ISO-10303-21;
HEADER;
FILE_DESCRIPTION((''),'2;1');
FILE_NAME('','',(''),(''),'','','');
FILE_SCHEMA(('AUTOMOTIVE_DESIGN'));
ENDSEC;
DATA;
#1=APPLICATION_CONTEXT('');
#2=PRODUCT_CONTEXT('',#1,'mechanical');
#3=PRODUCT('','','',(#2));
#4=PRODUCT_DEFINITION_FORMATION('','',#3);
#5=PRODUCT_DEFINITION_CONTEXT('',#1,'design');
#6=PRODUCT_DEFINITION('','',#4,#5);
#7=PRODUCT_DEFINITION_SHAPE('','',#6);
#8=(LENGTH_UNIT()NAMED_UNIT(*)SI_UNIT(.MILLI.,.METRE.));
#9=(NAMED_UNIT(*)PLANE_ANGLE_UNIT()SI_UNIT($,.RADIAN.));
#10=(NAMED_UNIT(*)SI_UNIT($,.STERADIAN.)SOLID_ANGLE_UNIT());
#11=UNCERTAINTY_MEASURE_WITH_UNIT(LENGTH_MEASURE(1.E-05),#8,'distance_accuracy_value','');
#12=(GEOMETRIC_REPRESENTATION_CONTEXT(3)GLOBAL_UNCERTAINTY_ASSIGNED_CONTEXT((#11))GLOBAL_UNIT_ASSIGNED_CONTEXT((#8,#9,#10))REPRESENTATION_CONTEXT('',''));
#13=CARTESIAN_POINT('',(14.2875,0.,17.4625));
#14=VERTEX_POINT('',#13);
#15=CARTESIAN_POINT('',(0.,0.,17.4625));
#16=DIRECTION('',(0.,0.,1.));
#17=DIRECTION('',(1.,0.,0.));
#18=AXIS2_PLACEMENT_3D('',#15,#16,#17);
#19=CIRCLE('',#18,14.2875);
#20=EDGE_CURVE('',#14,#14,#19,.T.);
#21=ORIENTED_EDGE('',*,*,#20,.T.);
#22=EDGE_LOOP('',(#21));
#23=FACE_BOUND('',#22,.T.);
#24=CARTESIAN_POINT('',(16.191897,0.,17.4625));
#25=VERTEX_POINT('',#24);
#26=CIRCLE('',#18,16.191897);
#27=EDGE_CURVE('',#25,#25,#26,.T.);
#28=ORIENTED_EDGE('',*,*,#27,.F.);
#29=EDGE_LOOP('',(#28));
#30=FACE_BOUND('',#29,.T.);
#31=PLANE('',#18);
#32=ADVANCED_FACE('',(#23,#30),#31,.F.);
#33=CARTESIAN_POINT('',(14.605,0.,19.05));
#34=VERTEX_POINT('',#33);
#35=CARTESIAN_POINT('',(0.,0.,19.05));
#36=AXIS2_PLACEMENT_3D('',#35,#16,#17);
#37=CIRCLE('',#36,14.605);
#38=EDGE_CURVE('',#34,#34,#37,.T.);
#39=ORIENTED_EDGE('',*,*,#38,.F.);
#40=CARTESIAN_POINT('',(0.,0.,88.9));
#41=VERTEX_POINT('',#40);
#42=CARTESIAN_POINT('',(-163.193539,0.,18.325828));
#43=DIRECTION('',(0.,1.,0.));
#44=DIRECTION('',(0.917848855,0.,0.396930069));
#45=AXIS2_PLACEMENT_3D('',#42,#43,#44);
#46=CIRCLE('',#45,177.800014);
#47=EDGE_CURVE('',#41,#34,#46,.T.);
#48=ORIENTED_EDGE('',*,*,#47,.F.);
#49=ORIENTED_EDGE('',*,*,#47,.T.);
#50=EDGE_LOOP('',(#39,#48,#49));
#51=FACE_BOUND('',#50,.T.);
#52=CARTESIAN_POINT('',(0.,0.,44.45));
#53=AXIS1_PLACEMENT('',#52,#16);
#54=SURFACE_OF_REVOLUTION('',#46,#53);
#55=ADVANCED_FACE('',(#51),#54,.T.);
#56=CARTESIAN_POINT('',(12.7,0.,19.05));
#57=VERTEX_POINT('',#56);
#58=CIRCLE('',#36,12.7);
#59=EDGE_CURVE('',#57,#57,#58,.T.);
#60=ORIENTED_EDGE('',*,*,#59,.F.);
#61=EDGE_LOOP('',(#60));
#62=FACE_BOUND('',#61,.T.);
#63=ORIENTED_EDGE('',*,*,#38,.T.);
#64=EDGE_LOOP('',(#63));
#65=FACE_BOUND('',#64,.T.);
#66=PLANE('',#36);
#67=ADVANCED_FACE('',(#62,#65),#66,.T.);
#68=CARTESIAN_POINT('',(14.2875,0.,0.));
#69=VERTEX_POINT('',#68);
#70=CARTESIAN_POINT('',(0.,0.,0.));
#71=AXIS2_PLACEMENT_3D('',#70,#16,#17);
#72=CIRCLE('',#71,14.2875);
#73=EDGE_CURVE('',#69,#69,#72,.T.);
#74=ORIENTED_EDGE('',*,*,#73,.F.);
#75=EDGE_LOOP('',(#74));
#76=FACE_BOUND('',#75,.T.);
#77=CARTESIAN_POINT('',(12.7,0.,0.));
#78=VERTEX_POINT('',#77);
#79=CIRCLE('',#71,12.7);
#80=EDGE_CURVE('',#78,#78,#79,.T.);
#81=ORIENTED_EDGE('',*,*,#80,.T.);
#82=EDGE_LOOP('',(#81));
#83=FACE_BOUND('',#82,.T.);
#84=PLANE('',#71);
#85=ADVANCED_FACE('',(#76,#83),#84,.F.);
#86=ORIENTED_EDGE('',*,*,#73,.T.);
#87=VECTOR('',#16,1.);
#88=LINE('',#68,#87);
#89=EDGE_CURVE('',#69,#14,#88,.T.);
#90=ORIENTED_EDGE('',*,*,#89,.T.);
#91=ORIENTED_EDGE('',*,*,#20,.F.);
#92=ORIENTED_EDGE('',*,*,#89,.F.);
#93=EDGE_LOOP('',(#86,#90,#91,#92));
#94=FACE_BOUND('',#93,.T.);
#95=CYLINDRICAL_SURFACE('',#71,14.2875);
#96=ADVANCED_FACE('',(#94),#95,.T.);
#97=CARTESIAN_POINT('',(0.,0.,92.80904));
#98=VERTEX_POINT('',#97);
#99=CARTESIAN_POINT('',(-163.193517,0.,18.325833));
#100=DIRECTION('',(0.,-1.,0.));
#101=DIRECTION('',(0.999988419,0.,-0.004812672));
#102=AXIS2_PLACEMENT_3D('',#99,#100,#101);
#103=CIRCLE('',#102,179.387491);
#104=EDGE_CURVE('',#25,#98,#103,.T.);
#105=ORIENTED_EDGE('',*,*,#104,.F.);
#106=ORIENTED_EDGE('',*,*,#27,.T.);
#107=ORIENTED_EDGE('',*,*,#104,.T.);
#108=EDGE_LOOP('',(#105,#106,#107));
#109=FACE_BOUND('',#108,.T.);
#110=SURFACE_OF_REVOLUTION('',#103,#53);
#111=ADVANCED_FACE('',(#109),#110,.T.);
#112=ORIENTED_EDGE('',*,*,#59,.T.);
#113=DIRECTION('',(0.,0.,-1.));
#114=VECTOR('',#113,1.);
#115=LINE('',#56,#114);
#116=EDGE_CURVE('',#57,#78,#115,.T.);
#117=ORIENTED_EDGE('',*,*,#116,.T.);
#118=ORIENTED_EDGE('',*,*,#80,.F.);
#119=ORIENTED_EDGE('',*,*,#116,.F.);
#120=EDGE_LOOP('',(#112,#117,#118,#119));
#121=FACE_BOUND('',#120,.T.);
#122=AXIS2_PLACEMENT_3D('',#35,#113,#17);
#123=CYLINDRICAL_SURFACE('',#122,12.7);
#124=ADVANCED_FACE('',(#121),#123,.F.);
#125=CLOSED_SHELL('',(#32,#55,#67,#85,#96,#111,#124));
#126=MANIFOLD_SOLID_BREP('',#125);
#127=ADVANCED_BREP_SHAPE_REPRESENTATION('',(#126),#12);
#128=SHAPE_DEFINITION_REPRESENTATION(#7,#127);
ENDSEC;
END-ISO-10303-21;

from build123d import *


with BuildPart() as f1:
    # F0 (on Front) → F1 (revolve)
    with BuildSketch(Plane.XZ):
        with BuildLine():
            Line((0, 92.80904), (0, 88.9))
            ThreePointArc((0, 88.9), (10.842822, 54.715249), (14.605, 19.05))
            Line((14.605, 19.05), (12.7, 19.05))
            Line((12.7, 19.05), (12.7, 0))
            Line((12.7, 0), (14.2875, 0))
            Line((14.2875, 0), (14.2875, 17.4625))
            Line((14.2875, 17.4625), (16.191897, 17.4625))
            ThreePointArc((16.191897, 17.4625), (12.189938, 56.015564), (0, 92.80904))
        make_face()
    revolve(axis=Axis((0, 0, 44.45), (0, 0, 1)))


solid = f1.part
